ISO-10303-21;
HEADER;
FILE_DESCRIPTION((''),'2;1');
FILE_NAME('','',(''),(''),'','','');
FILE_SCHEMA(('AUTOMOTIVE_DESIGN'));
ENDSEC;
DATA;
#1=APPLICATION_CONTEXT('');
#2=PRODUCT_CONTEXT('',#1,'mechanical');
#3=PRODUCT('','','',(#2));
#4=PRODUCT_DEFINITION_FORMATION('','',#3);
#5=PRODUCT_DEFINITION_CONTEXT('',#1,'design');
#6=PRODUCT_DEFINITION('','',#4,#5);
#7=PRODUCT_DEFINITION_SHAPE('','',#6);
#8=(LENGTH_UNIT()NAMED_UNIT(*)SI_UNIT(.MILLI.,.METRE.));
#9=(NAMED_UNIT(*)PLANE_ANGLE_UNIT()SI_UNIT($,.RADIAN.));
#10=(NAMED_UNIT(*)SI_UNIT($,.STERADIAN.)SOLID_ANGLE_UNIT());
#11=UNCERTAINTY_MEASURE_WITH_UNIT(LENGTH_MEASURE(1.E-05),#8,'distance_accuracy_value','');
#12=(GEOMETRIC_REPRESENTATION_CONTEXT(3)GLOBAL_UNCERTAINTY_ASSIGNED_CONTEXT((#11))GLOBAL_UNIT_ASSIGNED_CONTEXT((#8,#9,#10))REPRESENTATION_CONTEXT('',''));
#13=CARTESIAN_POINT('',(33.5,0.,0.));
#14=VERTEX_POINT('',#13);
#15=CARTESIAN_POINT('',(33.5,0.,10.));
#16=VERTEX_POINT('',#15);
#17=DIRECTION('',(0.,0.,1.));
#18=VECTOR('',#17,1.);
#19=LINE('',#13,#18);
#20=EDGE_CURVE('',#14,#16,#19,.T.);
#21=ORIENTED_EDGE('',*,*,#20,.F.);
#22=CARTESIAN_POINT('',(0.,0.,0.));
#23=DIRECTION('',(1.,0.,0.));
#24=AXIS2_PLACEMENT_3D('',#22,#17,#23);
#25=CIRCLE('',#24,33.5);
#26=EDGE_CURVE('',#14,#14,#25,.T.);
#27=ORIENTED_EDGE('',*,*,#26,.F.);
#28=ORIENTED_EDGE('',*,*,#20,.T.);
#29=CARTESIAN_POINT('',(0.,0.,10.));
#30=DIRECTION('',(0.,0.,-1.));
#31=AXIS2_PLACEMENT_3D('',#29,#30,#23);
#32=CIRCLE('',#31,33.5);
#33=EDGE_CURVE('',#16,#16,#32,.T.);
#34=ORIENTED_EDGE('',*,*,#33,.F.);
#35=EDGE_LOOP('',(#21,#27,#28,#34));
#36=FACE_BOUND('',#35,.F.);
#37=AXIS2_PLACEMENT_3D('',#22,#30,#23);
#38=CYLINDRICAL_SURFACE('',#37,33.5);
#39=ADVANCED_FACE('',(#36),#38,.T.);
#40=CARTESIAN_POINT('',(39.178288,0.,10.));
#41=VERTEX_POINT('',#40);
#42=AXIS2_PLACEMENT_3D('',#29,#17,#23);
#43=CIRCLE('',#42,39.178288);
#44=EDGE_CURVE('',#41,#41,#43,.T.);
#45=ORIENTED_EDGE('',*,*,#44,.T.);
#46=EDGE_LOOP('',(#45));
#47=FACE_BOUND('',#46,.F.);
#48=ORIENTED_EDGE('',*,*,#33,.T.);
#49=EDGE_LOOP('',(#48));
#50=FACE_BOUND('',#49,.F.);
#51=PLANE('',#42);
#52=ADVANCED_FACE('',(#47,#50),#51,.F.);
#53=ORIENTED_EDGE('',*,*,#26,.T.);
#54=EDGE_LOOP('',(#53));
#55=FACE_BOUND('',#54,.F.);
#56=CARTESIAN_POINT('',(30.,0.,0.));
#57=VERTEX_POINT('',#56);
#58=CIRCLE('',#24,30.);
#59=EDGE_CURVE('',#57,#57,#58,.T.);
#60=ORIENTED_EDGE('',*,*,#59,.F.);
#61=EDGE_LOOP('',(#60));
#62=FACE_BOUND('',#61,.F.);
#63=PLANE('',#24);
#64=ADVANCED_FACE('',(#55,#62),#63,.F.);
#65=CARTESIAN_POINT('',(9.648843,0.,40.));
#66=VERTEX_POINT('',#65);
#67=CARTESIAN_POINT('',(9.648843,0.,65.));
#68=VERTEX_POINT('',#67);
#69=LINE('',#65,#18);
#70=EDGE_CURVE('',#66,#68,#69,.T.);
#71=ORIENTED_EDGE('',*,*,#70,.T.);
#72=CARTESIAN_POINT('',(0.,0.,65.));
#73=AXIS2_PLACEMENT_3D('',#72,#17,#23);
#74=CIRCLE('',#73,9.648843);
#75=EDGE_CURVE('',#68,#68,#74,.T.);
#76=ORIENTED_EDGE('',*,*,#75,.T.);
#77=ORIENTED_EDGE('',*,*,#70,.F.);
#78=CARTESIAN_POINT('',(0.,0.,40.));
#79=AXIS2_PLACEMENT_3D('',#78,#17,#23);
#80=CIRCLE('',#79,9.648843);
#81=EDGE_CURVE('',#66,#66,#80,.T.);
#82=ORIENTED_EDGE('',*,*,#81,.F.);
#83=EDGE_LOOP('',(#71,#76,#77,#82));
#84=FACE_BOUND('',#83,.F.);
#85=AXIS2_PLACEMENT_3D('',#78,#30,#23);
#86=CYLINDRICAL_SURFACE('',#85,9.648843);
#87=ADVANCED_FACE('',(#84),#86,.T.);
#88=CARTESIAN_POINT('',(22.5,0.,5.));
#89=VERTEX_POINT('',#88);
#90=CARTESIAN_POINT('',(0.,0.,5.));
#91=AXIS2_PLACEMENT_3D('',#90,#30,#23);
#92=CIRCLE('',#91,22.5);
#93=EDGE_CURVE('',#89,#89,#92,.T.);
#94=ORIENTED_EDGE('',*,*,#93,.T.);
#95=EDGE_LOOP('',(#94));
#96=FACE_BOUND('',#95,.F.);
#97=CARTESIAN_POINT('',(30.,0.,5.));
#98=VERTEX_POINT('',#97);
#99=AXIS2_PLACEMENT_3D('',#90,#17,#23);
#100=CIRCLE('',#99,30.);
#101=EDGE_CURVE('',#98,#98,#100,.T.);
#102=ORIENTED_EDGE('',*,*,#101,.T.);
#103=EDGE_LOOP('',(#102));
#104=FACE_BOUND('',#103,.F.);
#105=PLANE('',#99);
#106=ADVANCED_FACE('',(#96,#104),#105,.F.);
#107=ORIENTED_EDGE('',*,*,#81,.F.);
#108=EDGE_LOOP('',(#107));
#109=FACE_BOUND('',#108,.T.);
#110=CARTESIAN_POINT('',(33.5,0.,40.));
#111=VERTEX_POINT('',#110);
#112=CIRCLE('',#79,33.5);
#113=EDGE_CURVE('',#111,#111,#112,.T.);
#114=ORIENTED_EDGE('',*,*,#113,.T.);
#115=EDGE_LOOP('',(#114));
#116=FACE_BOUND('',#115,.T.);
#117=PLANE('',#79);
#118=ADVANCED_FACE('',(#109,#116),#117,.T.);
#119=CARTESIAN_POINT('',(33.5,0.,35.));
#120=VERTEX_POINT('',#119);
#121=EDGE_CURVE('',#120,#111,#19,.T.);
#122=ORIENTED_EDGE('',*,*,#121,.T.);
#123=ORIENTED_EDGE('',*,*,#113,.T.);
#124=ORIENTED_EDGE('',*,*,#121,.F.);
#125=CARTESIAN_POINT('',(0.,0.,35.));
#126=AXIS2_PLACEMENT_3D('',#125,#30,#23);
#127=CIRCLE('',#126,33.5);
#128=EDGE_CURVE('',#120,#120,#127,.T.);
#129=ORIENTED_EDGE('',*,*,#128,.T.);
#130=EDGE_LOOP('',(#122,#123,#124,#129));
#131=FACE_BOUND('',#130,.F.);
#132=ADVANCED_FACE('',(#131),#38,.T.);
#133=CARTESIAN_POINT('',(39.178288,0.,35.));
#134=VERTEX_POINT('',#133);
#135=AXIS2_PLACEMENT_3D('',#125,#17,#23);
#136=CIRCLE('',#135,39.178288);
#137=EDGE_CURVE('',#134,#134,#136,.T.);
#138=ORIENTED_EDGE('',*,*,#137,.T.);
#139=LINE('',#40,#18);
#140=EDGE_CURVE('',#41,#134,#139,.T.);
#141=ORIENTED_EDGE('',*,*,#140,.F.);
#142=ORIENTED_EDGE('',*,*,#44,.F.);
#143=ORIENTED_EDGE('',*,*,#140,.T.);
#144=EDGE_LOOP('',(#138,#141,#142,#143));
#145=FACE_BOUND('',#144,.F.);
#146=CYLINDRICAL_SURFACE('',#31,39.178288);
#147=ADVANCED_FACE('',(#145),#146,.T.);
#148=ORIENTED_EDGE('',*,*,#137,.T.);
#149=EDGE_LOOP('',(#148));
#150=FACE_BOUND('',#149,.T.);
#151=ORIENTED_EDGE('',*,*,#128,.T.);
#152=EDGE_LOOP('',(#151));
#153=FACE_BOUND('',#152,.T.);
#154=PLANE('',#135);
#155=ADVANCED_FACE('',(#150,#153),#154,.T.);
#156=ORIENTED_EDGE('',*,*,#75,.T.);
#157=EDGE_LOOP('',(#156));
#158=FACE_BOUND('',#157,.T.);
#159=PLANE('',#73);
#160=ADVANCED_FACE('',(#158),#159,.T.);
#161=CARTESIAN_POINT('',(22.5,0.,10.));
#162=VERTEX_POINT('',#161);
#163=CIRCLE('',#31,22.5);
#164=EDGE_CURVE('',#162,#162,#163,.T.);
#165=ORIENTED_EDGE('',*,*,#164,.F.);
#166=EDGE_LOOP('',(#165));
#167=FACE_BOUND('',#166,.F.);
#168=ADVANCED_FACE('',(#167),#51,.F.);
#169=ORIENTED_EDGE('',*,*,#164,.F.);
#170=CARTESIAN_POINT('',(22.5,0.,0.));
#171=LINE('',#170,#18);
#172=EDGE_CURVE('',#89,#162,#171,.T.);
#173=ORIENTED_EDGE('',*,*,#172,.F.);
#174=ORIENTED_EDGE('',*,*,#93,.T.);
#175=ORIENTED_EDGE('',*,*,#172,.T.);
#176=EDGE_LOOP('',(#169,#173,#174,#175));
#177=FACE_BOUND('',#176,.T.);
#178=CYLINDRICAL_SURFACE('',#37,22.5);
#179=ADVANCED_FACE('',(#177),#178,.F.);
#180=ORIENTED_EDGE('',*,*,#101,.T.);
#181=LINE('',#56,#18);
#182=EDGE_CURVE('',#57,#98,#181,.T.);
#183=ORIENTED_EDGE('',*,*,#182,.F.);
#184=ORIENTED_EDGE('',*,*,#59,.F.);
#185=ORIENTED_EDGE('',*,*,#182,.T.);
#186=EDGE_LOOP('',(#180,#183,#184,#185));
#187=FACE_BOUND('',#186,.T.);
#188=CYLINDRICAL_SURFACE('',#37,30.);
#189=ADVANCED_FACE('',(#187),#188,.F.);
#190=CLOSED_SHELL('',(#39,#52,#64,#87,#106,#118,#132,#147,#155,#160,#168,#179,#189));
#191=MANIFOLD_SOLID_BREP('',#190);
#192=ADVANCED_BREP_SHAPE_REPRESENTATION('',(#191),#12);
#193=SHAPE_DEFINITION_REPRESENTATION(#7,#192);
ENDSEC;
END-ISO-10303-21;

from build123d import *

# Parameters (mm, degrees)
F0_R      = 33.5
F0_R_2    = 30
F1_DEPTH  = 40
F2_DEPTH  = 5
F4_R      = 22.5
F5_DEPTH  = 15
F6_R      = 9.648843
F7_DEPTH  = 25
F9_R      = 39.178288
F10_DEPTH = 25


with BuildPart() as f1:
    # F0 (on Top) → F1 (new body)
    with BuildSketch(Plane.XY):
        Circle(F0_R)
        Circle(F0_R_2, mode=Mode.SUBTRACT)
        Circle(F0_R_2)
    extrude(amount=F1_DEPTH)

    # F0 (on Top) → F2 (cut)
    with BuildSketch(Plane.XY):
        Circle(F0_R_2)
    extrude(amount=F2_DEPTH, mode=Mode.SUBTRACT)

    # F4 (on face) → F5 (cut)
    with BuildSketch(Plane.XY):
        Circle(F4_R)
    extrude(amount=F5_DEPTH, mode=Mode.SUBTRACT)

    # F6 (on face) → F7 (join)
    with BuildSketch(Plane.XY.offset(40)):
        Circle(F6_R)
    extrude(amount=F7_DEPTH)

    # F9 (on offset) → F10 (join)
    with BuildSketch(Plane.XY.offset(10)):
        Circle(F9_R)
    extrude(amount=F10_DEPTH)


solid = f1.part
